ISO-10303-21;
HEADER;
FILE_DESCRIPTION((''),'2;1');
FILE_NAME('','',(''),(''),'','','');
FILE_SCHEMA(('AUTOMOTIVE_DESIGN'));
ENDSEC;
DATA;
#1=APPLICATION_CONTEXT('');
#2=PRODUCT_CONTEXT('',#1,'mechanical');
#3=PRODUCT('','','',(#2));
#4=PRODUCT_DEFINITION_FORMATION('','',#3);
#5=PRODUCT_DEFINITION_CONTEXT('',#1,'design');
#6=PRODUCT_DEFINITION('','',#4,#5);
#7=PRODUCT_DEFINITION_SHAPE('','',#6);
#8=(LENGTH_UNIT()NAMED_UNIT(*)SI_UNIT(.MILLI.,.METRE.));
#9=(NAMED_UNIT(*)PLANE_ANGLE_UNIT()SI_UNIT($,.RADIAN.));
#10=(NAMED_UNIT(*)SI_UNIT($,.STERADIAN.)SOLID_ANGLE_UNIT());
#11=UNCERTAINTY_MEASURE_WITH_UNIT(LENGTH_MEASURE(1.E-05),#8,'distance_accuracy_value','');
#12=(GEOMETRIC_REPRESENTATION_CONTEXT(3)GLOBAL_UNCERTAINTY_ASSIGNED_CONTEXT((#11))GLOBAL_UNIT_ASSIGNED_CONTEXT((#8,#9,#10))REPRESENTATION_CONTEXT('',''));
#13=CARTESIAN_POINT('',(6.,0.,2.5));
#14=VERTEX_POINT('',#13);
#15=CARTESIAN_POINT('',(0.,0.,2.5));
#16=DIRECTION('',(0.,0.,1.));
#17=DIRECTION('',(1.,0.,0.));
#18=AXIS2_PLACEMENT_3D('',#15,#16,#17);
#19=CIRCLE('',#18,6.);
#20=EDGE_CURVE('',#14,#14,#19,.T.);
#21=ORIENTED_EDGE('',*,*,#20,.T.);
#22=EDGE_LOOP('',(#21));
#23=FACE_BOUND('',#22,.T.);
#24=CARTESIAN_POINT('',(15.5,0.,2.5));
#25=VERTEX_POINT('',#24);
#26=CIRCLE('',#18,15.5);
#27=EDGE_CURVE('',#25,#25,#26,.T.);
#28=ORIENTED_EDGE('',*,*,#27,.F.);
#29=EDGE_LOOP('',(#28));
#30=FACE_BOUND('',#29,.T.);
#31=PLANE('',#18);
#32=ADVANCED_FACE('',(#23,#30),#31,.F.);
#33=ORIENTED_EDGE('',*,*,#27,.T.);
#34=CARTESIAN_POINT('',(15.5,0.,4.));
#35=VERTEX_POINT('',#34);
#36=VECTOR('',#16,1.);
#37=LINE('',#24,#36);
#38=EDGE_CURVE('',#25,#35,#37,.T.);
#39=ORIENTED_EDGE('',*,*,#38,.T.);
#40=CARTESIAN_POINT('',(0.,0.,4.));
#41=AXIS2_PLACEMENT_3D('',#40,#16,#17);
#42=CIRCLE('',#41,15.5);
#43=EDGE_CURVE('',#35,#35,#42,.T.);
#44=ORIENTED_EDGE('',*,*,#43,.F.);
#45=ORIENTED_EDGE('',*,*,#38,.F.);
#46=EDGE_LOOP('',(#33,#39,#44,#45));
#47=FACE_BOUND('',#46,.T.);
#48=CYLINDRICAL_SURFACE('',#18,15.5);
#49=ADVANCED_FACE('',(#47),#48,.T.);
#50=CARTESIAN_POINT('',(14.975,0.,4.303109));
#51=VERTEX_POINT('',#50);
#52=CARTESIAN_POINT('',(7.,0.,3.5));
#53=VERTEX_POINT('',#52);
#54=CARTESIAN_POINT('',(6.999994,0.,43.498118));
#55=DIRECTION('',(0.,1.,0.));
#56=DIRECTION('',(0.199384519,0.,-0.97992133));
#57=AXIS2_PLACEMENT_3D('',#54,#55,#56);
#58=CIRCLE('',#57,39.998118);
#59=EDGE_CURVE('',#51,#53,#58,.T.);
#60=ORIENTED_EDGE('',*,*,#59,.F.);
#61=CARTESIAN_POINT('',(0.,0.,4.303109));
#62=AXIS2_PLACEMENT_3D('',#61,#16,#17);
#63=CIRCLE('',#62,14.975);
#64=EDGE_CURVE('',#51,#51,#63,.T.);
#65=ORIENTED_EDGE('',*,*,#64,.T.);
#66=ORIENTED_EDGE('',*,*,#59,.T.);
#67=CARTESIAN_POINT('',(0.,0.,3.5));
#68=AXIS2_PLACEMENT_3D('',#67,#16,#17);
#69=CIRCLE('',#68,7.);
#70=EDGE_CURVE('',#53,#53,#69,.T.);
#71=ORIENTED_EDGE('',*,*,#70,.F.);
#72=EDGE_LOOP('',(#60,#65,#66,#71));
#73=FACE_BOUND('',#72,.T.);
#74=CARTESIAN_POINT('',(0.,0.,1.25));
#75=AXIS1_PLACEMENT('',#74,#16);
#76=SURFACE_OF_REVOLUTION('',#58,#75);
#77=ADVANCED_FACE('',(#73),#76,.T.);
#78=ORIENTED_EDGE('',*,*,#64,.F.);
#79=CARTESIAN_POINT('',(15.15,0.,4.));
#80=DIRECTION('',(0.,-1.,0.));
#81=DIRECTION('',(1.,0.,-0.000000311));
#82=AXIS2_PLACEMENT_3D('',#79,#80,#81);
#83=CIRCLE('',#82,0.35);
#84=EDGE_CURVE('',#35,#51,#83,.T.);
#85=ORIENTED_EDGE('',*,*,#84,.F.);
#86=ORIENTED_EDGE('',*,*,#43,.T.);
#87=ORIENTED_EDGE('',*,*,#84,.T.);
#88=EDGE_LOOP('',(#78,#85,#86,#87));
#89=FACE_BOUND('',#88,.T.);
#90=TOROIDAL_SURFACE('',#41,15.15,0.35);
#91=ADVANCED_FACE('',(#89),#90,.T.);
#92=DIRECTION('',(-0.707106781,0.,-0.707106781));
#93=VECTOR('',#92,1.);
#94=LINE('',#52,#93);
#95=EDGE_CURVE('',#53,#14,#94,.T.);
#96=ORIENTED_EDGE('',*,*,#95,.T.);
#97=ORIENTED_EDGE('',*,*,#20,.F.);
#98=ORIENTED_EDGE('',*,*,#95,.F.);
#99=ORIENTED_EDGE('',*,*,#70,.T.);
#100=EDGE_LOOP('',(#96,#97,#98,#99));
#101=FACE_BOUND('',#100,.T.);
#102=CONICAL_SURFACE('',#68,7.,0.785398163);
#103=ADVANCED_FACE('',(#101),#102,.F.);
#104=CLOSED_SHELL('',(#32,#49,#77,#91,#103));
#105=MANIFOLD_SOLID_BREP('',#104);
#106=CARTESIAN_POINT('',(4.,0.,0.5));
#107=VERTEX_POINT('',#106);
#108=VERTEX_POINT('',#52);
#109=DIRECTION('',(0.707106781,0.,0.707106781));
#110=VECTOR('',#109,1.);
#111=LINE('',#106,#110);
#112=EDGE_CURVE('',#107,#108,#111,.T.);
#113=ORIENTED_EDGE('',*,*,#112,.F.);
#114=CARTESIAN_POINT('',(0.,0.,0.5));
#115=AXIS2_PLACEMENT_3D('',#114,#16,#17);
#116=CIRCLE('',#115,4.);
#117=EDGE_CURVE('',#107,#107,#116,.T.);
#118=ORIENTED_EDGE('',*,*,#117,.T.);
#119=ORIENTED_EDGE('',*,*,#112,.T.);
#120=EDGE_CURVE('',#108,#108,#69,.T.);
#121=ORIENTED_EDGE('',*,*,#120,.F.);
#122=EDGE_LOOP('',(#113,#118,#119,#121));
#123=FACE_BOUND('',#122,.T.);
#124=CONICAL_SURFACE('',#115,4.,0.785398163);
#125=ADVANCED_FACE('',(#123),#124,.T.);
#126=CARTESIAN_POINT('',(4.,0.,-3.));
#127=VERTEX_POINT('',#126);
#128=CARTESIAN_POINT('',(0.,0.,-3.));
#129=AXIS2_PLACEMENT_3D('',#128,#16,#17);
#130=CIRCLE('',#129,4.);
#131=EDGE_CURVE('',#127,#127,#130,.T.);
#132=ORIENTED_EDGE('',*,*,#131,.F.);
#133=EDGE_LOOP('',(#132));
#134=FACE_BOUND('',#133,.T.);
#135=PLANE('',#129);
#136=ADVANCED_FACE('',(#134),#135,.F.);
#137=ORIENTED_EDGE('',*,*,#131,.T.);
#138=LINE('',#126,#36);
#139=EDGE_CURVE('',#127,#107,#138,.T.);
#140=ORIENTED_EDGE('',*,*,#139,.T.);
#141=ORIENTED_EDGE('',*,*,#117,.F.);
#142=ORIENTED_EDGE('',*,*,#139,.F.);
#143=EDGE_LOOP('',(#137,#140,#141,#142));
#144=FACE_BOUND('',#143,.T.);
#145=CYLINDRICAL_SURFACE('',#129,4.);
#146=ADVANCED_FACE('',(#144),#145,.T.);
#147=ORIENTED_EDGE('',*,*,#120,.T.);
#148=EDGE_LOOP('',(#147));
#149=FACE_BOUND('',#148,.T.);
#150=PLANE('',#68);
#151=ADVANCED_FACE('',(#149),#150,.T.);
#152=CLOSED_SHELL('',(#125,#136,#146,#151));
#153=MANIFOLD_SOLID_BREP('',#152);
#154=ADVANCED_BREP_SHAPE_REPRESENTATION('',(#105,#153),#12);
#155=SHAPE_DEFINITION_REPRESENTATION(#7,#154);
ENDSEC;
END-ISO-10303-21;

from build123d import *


with BuildPart() as f1:
    # F0 (on Front) → F1 (revolve)
    with BuildSketch(Plane.XZ):
        with BuildLine():
            Line((7, 3.5), (6, 2.5))
            Line((6, 2.5), (15.5, 2.5))
            Line((15.5, 2.5), (15.5, 4))
            ThreePointArc((15.5, 4), (15.325, 4.303109), (14.975, 4.303109))
            ThreePointArc((14.975, 4.303109), (11.007668, 3.701284), (7, 3.5))
        make_face()
    revolve(axis=Axis((0, 0, 1.25), (0, 0, 1)))


with BuildPart() as f2:
    # F0 (on Front) → F2 (revolve)
    with BuildSketch(Plane.XZ):
        Polygon((0, 3.5), (0, 2.5), (4, 2.5), (6, 2.5), (7, 3.5), align=None)
        Polygon((0, 2.5), (0, 0), (0, -3), (4, -3), (4, 0.5), (6, 2.5), (4, 2.5), align=None)
    revolve(axis=Axis((0, 0, 1.25), (0, 0, 1)))


solid = Compound([f1.part, f2.part])
